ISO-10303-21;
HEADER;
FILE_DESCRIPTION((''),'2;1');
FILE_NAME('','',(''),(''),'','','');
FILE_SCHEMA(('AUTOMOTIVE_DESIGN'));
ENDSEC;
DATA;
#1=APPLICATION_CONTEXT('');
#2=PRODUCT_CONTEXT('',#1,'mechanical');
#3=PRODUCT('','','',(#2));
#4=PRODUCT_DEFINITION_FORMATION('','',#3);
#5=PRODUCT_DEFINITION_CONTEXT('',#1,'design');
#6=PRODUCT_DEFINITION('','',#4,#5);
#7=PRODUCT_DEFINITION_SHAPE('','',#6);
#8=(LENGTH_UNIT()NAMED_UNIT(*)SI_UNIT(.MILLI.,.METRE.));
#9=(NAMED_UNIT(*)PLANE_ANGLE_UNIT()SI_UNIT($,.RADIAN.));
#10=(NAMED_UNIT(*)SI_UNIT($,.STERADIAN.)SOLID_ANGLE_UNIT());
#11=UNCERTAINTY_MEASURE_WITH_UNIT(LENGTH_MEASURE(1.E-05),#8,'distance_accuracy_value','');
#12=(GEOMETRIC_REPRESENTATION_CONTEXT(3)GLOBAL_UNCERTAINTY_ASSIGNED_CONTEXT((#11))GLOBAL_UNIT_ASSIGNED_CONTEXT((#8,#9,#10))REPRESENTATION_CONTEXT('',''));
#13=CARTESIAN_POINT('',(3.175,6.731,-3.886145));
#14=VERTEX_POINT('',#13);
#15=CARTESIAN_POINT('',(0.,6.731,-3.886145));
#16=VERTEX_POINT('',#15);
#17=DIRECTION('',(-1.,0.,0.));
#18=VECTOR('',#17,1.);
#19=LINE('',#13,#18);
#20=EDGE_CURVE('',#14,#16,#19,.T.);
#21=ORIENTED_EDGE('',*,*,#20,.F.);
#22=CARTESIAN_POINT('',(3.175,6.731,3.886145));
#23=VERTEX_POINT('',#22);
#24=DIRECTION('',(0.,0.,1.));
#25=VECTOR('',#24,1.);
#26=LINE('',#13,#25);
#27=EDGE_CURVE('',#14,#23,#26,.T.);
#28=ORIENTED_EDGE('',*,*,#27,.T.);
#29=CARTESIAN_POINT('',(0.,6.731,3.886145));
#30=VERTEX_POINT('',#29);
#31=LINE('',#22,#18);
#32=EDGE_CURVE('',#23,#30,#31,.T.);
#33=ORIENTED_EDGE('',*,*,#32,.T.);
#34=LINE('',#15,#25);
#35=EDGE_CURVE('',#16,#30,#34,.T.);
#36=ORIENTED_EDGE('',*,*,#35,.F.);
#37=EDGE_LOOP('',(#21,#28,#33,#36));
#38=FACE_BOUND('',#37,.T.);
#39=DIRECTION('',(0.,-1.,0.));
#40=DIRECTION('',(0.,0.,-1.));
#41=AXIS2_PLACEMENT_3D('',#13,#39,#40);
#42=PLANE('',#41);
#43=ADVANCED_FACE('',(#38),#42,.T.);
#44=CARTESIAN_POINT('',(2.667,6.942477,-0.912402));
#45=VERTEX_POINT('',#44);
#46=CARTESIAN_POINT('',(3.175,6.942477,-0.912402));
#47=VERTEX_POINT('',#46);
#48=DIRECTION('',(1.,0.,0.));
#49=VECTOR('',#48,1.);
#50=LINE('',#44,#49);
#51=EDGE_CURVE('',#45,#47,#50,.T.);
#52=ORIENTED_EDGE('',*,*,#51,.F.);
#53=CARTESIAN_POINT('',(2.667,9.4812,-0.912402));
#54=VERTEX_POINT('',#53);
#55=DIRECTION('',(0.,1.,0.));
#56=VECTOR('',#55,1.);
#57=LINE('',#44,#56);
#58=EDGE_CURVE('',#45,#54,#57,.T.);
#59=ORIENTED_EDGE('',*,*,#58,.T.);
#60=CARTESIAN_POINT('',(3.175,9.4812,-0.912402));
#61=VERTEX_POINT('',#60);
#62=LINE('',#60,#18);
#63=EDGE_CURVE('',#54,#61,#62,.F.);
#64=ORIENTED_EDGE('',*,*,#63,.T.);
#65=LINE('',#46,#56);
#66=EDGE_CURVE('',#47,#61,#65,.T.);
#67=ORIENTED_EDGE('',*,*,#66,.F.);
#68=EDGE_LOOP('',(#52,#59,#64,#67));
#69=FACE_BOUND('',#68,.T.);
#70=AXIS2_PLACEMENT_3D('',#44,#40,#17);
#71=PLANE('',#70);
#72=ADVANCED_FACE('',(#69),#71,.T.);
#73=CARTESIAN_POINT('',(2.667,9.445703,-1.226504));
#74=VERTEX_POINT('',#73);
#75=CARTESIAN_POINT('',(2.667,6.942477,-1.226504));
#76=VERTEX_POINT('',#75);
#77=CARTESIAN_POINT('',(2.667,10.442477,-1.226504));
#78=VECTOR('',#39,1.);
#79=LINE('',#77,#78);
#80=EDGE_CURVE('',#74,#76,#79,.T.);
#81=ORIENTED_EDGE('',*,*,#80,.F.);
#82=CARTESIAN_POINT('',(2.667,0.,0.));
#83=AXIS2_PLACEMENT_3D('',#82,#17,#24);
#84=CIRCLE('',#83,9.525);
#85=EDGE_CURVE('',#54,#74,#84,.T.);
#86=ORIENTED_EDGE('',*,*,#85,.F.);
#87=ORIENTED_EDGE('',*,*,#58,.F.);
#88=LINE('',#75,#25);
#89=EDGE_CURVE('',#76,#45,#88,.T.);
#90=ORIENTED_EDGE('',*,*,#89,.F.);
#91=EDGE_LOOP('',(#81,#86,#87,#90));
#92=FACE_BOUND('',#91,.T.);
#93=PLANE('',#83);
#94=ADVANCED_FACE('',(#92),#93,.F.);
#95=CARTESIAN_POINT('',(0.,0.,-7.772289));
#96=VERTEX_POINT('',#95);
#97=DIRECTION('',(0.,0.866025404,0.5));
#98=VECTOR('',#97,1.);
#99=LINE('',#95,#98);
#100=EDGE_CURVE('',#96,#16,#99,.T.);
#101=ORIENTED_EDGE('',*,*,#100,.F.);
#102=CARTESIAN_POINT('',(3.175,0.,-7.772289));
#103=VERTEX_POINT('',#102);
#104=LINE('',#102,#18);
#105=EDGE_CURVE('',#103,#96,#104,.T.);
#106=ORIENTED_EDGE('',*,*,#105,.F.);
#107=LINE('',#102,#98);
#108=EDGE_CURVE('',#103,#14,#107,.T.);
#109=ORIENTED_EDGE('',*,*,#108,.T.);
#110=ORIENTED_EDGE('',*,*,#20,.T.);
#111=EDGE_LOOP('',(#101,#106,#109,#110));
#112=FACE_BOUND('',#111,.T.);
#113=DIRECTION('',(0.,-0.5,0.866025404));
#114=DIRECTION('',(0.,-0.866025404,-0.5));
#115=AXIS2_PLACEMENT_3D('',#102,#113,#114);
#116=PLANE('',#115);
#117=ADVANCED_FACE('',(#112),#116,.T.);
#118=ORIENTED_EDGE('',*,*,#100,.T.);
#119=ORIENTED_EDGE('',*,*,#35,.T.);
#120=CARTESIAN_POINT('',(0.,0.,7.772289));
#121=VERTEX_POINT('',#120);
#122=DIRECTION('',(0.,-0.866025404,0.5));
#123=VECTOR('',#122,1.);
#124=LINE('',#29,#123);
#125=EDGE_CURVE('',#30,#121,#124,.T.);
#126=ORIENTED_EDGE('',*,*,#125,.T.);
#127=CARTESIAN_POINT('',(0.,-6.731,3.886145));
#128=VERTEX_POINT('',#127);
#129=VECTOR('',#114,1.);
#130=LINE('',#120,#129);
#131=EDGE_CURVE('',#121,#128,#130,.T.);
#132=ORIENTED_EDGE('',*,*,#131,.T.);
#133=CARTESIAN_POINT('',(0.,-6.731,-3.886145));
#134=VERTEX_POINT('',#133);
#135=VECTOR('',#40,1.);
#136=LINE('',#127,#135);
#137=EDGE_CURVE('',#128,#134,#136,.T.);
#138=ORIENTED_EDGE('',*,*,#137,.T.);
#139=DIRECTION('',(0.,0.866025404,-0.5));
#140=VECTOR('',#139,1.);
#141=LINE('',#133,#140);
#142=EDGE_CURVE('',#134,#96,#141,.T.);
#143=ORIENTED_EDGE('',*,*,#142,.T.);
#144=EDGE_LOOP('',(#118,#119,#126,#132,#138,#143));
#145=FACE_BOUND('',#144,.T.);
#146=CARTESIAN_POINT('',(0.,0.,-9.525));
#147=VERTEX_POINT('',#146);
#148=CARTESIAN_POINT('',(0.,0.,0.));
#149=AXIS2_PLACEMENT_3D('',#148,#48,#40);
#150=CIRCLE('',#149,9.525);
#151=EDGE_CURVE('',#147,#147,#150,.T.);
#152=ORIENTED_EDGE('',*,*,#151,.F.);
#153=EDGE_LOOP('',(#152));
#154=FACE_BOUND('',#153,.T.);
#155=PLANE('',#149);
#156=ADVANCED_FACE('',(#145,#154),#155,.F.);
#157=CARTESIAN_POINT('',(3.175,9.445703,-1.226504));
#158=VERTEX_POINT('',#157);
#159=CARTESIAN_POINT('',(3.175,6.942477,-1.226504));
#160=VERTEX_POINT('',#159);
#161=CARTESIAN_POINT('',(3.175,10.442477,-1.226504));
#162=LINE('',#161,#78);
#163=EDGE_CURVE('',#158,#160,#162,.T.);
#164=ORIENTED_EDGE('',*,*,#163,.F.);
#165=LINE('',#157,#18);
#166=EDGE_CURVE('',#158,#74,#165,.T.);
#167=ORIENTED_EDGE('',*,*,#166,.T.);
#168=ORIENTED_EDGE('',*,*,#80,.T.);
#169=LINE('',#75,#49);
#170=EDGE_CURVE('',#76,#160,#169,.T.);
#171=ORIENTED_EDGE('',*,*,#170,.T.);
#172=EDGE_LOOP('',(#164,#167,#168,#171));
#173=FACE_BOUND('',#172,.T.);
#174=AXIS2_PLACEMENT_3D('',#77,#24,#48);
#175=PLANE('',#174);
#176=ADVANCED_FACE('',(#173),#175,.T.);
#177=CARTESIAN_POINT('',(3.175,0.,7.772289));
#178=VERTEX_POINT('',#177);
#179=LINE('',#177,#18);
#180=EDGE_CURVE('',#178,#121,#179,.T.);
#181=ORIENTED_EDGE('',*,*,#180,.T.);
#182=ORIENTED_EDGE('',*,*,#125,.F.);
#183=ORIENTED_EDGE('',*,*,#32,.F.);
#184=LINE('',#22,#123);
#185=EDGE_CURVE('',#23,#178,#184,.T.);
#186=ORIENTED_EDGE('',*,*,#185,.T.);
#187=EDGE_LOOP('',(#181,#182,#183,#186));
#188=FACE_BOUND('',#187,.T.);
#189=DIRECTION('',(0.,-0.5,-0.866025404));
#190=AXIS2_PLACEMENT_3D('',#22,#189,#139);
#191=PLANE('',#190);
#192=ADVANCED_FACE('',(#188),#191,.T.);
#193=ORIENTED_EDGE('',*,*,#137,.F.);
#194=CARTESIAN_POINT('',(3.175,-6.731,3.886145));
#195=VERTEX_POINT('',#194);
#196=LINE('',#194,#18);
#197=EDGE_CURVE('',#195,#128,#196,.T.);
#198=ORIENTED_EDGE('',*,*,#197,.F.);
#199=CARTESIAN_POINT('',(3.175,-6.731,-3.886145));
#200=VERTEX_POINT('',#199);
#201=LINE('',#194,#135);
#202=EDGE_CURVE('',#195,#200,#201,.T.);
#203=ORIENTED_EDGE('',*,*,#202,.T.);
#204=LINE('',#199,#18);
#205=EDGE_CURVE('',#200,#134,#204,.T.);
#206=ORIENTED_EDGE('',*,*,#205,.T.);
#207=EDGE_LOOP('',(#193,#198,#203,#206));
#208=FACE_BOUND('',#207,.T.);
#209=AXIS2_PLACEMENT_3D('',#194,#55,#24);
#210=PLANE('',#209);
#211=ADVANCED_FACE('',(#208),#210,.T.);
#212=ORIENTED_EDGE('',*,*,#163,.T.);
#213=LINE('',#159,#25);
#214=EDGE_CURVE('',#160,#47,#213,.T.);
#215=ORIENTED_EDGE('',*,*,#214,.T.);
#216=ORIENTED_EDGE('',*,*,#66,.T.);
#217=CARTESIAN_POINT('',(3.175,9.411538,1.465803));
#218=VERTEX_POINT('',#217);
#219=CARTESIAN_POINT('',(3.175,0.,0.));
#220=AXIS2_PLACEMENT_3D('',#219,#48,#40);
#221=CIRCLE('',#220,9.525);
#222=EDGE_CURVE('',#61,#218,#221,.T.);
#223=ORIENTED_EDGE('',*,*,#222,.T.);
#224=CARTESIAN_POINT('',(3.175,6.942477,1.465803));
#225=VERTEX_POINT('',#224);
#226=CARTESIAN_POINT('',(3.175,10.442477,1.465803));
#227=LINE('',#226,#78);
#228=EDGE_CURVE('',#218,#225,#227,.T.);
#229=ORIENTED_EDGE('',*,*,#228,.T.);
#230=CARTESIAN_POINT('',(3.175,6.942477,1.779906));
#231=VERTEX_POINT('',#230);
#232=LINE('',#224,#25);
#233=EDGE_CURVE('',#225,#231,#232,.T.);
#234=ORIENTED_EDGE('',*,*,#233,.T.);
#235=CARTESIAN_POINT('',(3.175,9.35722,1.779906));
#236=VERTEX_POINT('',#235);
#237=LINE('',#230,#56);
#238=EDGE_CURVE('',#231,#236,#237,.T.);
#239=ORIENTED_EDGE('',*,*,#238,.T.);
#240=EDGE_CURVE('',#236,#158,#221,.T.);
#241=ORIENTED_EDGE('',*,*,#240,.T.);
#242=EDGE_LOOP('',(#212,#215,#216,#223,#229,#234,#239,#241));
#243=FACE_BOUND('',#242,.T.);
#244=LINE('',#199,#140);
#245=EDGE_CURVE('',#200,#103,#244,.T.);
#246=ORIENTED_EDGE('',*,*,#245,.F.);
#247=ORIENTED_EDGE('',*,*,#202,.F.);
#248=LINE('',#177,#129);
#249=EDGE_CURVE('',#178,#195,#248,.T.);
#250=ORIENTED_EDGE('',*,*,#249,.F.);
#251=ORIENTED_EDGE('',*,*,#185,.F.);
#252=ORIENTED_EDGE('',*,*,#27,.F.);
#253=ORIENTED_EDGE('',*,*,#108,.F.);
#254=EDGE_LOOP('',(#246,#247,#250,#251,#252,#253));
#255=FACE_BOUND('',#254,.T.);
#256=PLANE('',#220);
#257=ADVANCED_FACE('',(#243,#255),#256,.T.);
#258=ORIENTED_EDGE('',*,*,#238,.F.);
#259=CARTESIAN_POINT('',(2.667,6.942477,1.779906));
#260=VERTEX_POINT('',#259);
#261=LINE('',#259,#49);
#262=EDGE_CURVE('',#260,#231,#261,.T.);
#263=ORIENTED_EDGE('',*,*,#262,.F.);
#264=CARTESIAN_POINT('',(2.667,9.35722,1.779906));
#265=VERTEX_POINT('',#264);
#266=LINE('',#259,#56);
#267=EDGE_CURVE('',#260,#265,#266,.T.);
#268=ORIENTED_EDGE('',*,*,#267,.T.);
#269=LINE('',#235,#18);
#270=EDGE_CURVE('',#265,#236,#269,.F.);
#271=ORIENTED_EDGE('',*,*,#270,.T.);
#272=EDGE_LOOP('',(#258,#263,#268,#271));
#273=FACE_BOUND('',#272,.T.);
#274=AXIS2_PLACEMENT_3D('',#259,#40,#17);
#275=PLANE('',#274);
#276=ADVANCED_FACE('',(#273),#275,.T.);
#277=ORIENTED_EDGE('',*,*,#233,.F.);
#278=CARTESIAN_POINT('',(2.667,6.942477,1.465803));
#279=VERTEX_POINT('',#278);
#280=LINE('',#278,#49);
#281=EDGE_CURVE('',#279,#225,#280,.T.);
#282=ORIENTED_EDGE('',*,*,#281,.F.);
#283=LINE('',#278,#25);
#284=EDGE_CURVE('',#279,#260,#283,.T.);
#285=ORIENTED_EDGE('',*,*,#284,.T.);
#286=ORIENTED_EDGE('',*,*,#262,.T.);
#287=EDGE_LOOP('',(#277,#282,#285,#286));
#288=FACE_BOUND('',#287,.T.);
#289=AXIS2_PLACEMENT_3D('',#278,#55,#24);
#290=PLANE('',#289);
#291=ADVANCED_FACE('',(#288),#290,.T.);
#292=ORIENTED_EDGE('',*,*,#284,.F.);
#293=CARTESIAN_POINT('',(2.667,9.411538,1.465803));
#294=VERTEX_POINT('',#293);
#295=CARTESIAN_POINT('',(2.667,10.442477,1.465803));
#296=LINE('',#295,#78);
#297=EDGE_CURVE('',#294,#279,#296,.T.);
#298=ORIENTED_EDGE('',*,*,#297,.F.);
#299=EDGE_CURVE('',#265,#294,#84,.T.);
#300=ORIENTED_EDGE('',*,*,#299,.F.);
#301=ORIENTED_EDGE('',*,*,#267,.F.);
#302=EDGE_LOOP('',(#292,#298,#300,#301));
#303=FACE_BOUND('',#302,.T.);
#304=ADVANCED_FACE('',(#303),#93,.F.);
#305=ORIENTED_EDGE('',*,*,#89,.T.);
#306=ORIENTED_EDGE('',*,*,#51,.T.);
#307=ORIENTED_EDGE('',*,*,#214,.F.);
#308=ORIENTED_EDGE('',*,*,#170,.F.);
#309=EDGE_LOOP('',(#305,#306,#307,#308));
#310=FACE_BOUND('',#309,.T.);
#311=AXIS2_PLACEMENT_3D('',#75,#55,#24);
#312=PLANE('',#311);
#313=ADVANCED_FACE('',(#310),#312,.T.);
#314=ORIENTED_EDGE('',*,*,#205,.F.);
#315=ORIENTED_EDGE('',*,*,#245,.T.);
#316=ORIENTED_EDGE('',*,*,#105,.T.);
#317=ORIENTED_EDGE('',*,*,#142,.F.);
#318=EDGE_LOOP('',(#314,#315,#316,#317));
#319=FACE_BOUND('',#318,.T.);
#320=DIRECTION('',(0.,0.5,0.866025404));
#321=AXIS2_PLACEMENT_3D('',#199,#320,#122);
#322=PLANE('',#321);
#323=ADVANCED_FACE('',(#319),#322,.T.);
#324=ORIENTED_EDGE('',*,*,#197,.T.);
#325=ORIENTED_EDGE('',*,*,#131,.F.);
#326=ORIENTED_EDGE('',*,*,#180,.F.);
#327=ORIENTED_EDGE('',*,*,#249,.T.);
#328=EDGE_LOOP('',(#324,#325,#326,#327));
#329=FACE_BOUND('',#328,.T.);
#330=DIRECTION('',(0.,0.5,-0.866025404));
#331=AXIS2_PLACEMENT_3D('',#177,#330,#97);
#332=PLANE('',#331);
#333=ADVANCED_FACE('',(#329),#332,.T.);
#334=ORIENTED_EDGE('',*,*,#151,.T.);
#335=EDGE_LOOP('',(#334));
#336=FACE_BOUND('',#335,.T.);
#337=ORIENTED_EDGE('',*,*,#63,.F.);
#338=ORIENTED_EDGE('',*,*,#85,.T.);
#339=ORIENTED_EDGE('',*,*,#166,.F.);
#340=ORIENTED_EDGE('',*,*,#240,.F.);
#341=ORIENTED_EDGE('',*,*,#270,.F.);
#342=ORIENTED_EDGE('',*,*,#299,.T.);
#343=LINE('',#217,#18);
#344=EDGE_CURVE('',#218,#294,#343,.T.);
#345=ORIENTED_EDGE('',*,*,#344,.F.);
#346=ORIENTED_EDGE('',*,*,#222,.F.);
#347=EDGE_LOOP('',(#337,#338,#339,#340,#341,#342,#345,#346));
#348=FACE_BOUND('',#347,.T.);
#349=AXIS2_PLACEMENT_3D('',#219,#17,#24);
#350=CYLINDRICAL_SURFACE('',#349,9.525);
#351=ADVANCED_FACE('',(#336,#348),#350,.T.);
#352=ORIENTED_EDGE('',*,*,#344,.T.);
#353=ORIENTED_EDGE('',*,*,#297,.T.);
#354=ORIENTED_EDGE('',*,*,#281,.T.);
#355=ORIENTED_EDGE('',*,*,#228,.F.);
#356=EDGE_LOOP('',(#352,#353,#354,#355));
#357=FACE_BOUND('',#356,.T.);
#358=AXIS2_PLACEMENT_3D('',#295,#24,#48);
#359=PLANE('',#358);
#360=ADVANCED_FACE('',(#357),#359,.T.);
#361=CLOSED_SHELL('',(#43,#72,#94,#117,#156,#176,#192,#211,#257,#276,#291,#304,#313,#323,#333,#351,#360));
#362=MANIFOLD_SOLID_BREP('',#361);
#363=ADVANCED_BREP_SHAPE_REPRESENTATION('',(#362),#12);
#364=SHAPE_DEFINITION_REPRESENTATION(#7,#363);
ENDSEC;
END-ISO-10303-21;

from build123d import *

# Parameters (mm, degrees)
SKETCH1_R           = 9.525
BOSS_EXTRUDE1_DEPTH = 3.175
CUT_EXTRUDE1_DEPTH  = 0.508


with BuildPart() as part:
    # Sketch1 → Boss-Extrude1 (new body)
    with BuildSketch(Plane(origin=(0, 0, 0), x_dir=(0, 0, -1), z_dir=(1, 0, 0))):
        Circle(SKETCH1_R)
        Polygon((7.772289324, 0), (3.886144662, 6.731), (-3.886144662, 6.731), (-7.772289324, 0), (-3.886144662, -6.731), (3.886144662, -6.731), align=None, mode=Mode.SUBTRACT)
    extrude(amount=BOSS_EXTRUDE1_DEPTH)

    # Sketch2 → Cut-Extrude1 (cut)
    with BuildSketch(Plane(origin=(3.175, 0, 0), x_dir=(0, 0, -1), z_dir=(1, 0, 0))):
        Polygon((-2.112938805, 10.442477423), (-1.465803389, 10.442477423), (-1.465803389, 6.942477423), (-1.779905953, 6.942477423), (-1.779905953, 10.083503064), (-2.318367491, 10.083503064), align=None)
        Polygon((0.579368887, 10.442477423), (1.226504304, 10.442477423), (1.226504304, 6.942477423), (0.91240174, 6.942477423), (0.91240174, 10.083503064), (0.373940201, 10.083503064), align=None)
    extrude(amount=-CUT_EXTRUDE1_DEPTH, mode=Mode.SUBTRACT)


solid = part.part
